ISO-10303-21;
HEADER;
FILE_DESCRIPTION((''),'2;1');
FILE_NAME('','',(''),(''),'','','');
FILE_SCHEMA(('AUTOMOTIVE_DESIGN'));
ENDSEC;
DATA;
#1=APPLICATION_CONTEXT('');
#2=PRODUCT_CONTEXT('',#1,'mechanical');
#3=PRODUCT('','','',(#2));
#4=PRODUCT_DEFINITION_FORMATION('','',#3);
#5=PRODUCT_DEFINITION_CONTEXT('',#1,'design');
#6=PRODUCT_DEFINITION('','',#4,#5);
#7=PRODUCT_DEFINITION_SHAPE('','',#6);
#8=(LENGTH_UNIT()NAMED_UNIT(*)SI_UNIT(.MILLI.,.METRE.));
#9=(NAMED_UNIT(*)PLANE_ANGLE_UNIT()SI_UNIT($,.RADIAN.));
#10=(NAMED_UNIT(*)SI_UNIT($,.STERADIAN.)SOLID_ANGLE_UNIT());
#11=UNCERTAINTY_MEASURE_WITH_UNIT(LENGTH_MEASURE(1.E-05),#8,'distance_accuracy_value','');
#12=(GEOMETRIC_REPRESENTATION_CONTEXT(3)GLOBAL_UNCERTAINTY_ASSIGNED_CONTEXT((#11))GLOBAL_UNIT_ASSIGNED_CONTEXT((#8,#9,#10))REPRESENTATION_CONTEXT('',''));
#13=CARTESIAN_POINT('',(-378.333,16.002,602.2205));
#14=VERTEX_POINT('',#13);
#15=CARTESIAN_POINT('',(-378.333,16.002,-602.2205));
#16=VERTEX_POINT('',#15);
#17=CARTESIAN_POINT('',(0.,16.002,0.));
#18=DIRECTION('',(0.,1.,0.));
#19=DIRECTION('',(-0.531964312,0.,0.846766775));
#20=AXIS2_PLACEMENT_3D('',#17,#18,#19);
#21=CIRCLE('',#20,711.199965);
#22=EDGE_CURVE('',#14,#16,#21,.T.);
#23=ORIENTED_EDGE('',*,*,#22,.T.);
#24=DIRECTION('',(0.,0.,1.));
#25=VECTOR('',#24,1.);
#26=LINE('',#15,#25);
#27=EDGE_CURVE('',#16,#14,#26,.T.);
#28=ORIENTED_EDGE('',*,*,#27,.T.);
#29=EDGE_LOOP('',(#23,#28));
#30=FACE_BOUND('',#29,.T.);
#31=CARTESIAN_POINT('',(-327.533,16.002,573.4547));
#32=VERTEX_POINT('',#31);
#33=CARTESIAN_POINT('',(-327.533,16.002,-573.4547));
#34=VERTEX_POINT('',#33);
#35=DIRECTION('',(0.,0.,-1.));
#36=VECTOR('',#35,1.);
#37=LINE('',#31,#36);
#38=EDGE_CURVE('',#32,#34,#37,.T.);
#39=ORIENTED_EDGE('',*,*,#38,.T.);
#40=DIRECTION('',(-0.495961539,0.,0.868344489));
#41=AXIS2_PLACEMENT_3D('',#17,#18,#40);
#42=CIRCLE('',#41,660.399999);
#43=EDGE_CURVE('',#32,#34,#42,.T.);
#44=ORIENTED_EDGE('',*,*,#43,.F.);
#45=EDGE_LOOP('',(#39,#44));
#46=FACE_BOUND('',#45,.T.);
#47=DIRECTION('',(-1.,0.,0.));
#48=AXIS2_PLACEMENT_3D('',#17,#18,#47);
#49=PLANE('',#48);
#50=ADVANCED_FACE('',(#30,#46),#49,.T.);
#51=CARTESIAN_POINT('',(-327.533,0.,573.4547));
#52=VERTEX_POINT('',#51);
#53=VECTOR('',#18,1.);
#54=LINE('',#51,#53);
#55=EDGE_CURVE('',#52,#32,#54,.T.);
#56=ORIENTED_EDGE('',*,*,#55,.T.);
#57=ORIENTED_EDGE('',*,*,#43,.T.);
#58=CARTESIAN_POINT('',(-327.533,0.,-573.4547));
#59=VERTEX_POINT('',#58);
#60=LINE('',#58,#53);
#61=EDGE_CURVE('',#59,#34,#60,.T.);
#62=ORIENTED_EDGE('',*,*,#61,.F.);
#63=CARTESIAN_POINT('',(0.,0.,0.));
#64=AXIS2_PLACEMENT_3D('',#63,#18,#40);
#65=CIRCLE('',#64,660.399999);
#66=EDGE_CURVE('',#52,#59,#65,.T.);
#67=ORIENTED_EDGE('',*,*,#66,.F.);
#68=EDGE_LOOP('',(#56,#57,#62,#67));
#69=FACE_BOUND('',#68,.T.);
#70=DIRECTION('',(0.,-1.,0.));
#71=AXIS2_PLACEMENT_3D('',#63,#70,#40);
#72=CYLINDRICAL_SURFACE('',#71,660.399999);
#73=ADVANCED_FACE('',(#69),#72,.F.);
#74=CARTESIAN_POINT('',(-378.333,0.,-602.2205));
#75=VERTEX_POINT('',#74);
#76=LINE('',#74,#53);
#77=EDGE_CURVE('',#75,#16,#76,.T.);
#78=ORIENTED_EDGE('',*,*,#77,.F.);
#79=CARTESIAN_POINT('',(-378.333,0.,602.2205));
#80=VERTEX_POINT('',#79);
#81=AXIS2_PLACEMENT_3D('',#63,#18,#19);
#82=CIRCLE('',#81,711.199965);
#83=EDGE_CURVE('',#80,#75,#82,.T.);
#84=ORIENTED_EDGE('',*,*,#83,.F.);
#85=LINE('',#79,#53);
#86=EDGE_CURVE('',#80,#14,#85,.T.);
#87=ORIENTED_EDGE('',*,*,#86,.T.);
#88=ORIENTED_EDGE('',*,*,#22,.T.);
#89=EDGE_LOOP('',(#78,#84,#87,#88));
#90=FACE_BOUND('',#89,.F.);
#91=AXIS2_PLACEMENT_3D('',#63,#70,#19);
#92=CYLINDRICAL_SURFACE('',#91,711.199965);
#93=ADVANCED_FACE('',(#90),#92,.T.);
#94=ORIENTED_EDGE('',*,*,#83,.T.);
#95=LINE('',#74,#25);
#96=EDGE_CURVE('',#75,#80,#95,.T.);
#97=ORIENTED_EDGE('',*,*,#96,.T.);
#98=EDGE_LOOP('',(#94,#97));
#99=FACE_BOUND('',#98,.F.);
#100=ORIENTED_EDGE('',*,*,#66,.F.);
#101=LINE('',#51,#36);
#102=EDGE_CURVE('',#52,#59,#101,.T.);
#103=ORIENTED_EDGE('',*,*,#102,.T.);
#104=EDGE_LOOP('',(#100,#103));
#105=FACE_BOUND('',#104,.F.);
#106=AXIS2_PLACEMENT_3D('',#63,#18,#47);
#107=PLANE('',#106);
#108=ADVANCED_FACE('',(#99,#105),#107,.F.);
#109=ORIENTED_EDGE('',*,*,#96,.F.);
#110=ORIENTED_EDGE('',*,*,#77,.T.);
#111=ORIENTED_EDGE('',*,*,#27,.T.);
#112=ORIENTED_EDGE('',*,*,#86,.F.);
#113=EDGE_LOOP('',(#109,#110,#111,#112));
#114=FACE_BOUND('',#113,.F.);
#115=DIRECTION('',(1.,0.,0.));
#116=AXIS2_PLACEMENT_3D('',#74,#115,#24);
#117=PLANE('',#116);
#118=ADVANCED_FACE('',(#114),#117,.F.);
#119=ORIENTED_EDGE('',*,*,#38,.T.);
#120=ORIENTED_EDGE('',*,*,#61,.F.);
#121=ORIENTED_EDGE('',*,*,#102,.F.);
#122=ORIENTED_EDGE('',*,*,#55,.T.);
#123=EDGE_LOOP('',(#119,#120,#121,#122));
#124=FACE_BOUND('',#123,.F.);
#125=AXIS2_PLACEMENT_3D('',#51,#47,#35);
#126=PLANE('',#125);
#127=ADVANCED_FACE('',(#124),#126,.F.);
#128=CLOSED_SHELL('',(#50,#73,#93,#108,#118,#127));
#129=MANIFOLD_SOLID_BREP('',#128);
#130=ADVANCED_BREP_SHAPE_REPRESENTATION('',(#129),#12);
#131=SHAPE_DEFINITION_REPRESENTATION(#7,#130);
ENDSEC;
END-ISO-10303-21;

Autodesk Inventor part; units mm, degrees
ref_plane "YZ Plane" through (0, 0, 0) normal (1, 0, 0) x (0, 1, 0)
ref_plane "XZ Plane" through (0, 0, 0) normal (0, 1, 0) x (-1, 0, 0)
ref_plane "XY Plane" through (0, 0, 0) normal (0, 0, 1) x (1, 0, 0)
sketch "Sketch1" plane through (0, 0, 0) normal (0, 1, 0) x (-1, 0, 0)
  line L0 (378.333, -602.2205) -> (378.333, 602.2205)
  arc A0 (378.333, 602.2205) -> (378.333, -602.2205) centre (0, 0) ccw
  line L1 (327.533, 573.4547) -> (327.533, -573.4547)
  arc A1 (327.533, 573.4547) -> (327.533, -573.4547) centre (0, 0) ccw
  dimension "d3" = 50.8
extrude "Extrusion1" add sketch "Sketch1" along normal blind 16.002
properties part number "CrowsNestTapeBlue"
